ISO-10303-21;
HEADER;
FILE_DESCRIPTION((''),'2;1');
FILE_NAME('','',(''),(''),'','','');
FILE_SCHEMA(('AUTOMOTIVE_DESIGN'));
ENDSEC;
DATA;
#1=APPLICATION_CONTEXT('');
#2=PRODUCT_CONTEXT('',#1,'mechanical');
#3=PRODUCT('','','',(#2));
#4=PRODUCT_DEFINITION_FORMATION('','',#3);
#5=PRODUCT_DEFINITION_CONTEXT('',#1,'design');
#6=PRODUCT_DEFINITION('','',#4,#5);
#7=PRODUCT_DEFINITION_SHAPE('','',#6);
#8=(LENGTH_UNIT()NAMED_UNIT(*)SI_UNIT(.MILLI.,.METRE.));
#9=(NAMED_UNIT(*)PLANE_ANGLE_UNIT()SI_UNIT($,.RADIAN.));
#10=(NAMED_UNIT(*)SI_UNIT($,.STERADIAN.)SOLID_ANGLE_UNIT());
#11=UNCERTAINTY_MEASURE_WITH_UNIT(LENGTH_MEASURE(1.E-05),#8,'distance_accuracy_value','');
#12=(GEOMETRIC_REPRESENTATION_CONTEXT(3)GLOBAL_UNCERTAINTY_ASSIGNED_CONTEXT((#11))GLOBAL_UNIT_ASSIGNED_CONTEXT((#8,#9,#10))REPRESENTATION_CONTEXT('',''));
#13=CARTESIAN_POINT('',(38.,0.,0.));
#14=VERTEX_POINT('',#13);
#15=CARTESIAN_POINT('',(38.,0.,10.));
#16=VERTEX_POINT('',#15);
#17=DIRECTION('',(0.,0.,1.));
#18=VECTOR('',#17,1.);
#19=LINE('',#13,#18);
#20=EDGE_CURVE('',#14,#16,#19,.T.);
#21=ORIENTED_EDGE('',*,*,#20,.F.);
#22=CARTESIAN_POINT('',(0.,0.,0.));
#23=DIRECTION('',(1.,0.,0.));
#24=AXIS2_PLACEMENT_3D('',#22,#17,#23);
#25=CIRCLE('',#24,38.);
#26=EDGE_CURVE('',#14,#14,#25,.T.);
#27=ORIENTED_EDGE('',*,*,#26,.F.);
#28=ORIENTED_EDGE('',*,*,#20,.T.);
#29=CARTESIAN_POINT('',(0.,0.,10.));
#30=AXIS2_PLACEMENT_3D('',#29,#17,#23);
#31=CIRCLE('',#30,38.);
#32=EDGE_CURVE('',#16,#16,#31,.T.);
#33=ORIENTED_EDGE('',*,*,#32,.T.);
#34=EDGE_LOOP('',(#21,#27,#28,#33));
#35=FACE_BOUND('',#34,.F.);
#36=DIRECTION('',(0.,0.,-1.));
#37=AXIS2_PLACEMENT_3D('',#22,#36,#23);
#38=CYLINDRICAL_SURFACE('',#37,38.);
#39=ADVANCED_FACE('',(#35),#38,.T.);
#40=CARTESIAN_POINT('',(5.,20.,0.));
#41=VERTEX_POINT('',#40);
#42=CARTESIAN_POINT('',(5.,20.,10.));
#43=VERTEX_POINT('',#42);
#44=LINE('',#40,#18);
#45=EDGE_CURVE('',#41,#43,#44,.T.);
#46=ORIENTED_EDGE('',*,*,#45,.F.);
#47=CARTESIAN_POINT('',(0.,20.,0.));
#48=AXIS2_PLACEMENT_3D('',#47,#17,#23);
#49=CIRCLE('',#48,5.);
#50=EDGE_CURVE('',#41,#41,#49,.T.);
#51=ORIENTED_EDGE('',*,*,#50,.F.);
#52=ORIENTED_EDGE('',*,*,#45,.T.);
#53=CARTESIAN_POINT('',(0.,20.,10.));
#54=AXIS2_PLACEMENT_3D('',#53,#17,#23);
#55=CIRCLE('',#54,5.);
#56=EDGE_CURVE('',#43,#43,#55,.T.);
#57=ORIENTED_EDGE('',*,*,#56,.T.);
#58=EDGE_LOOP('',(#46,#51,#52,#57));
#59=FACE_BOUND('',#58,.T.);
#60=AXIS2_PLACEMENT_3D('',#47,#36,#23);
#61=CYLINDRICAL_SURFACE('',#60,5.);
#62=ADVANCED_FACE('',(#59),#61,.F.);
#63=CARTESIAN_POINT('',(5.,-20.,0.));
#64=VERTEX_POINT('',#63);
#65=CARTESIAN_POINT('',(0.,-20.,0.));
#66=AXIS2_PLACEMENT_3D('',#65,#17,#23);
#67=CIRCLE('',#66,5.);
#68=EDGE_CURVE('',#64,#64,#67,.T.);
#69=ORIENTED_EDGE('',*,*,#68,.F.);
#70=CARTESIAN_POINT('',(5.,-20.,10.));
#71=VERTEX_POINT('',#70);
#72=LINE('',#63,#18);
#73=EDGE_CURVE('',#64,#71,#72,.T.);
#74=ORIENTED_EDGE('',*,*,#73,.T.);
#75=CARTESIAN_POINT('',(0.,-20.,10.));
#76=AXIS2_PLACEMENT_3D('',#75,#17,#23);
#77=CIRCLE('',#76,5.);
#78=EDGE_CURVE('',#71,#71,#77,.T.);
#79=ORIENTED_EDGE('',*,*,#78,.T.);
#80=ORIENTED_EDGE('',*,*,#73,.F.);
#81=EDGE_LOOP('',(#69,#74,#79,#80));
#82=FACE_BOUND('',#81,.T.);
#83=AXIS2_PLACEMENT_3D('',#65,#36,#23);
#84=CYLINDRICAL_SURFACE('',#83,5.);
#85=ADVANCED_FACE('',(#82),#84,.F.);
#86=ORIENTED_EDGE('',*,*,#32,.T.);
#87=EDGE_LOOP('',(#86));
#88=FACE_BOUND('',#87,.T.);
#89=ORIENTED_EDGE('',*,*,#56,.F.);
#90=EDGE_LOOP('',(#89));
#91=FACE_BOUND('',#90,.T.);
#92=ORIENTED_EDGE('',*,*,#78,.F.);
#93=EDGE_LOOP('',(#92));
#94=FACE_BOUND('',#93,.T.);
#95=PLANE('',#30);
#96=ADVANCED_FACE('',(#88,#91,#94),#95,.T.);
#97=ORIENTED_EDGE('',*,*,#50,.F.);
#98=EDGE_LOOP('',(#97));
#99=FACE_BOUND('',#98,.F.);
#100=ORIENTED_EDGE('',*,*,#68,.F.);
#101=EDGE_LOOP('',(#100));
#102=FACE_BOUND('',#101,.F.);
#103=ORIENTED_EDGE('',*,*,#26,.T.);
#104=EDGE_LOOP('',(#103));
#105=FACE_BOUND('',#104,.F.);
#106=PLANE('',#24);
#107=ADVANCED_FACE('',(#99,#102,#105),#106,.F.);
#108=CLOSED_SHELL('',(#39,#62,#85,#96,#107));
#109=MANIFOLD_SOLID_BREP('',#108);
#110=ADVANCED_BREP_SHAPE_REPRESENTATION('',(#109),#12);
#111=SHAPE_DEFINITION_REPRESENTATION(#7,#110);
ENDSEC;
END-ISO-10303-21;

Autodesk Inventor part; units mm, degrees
ref_plane "YZ Plane" through (0, 0, 0) normal (1, 0, 0) x (0, 1, 0)
ref_plane "XZ Plane" through (0, 0, 0) normal (0, 1, 0) x (-1, 0, 0)
ref_plane "XY Plane" through (0, 0, 0) normal (0, 0, 1) x (1, 0, 0)
sketch "Sketch2" plane through (0, 0, 0) normal (0, 0, 1) x (1, 0, 0)
  circle A0 centre (0, 0) radius 38
  circle A1 centre (0, 20) radius 5
  circle A2 centre (0, -20) radius 5
  dimension "d9" = 76
  dimension "d10" = 10
  dimension "d11" = 10
  dimension "d12" = 40
  dimension "d13" = 20
  dimension "d14" = 20
extrude "Extrusion2" add sketch "Sketch2" along normal blind 10
thread "Thread1" size "M10x1.5" class "6H" standard "ANSI Metric M Profile" full length
thread "Thread2" size "M10x1.5" class "6H" standard "ANSI Metric M Profile" full length
properties part number "Throttle"
